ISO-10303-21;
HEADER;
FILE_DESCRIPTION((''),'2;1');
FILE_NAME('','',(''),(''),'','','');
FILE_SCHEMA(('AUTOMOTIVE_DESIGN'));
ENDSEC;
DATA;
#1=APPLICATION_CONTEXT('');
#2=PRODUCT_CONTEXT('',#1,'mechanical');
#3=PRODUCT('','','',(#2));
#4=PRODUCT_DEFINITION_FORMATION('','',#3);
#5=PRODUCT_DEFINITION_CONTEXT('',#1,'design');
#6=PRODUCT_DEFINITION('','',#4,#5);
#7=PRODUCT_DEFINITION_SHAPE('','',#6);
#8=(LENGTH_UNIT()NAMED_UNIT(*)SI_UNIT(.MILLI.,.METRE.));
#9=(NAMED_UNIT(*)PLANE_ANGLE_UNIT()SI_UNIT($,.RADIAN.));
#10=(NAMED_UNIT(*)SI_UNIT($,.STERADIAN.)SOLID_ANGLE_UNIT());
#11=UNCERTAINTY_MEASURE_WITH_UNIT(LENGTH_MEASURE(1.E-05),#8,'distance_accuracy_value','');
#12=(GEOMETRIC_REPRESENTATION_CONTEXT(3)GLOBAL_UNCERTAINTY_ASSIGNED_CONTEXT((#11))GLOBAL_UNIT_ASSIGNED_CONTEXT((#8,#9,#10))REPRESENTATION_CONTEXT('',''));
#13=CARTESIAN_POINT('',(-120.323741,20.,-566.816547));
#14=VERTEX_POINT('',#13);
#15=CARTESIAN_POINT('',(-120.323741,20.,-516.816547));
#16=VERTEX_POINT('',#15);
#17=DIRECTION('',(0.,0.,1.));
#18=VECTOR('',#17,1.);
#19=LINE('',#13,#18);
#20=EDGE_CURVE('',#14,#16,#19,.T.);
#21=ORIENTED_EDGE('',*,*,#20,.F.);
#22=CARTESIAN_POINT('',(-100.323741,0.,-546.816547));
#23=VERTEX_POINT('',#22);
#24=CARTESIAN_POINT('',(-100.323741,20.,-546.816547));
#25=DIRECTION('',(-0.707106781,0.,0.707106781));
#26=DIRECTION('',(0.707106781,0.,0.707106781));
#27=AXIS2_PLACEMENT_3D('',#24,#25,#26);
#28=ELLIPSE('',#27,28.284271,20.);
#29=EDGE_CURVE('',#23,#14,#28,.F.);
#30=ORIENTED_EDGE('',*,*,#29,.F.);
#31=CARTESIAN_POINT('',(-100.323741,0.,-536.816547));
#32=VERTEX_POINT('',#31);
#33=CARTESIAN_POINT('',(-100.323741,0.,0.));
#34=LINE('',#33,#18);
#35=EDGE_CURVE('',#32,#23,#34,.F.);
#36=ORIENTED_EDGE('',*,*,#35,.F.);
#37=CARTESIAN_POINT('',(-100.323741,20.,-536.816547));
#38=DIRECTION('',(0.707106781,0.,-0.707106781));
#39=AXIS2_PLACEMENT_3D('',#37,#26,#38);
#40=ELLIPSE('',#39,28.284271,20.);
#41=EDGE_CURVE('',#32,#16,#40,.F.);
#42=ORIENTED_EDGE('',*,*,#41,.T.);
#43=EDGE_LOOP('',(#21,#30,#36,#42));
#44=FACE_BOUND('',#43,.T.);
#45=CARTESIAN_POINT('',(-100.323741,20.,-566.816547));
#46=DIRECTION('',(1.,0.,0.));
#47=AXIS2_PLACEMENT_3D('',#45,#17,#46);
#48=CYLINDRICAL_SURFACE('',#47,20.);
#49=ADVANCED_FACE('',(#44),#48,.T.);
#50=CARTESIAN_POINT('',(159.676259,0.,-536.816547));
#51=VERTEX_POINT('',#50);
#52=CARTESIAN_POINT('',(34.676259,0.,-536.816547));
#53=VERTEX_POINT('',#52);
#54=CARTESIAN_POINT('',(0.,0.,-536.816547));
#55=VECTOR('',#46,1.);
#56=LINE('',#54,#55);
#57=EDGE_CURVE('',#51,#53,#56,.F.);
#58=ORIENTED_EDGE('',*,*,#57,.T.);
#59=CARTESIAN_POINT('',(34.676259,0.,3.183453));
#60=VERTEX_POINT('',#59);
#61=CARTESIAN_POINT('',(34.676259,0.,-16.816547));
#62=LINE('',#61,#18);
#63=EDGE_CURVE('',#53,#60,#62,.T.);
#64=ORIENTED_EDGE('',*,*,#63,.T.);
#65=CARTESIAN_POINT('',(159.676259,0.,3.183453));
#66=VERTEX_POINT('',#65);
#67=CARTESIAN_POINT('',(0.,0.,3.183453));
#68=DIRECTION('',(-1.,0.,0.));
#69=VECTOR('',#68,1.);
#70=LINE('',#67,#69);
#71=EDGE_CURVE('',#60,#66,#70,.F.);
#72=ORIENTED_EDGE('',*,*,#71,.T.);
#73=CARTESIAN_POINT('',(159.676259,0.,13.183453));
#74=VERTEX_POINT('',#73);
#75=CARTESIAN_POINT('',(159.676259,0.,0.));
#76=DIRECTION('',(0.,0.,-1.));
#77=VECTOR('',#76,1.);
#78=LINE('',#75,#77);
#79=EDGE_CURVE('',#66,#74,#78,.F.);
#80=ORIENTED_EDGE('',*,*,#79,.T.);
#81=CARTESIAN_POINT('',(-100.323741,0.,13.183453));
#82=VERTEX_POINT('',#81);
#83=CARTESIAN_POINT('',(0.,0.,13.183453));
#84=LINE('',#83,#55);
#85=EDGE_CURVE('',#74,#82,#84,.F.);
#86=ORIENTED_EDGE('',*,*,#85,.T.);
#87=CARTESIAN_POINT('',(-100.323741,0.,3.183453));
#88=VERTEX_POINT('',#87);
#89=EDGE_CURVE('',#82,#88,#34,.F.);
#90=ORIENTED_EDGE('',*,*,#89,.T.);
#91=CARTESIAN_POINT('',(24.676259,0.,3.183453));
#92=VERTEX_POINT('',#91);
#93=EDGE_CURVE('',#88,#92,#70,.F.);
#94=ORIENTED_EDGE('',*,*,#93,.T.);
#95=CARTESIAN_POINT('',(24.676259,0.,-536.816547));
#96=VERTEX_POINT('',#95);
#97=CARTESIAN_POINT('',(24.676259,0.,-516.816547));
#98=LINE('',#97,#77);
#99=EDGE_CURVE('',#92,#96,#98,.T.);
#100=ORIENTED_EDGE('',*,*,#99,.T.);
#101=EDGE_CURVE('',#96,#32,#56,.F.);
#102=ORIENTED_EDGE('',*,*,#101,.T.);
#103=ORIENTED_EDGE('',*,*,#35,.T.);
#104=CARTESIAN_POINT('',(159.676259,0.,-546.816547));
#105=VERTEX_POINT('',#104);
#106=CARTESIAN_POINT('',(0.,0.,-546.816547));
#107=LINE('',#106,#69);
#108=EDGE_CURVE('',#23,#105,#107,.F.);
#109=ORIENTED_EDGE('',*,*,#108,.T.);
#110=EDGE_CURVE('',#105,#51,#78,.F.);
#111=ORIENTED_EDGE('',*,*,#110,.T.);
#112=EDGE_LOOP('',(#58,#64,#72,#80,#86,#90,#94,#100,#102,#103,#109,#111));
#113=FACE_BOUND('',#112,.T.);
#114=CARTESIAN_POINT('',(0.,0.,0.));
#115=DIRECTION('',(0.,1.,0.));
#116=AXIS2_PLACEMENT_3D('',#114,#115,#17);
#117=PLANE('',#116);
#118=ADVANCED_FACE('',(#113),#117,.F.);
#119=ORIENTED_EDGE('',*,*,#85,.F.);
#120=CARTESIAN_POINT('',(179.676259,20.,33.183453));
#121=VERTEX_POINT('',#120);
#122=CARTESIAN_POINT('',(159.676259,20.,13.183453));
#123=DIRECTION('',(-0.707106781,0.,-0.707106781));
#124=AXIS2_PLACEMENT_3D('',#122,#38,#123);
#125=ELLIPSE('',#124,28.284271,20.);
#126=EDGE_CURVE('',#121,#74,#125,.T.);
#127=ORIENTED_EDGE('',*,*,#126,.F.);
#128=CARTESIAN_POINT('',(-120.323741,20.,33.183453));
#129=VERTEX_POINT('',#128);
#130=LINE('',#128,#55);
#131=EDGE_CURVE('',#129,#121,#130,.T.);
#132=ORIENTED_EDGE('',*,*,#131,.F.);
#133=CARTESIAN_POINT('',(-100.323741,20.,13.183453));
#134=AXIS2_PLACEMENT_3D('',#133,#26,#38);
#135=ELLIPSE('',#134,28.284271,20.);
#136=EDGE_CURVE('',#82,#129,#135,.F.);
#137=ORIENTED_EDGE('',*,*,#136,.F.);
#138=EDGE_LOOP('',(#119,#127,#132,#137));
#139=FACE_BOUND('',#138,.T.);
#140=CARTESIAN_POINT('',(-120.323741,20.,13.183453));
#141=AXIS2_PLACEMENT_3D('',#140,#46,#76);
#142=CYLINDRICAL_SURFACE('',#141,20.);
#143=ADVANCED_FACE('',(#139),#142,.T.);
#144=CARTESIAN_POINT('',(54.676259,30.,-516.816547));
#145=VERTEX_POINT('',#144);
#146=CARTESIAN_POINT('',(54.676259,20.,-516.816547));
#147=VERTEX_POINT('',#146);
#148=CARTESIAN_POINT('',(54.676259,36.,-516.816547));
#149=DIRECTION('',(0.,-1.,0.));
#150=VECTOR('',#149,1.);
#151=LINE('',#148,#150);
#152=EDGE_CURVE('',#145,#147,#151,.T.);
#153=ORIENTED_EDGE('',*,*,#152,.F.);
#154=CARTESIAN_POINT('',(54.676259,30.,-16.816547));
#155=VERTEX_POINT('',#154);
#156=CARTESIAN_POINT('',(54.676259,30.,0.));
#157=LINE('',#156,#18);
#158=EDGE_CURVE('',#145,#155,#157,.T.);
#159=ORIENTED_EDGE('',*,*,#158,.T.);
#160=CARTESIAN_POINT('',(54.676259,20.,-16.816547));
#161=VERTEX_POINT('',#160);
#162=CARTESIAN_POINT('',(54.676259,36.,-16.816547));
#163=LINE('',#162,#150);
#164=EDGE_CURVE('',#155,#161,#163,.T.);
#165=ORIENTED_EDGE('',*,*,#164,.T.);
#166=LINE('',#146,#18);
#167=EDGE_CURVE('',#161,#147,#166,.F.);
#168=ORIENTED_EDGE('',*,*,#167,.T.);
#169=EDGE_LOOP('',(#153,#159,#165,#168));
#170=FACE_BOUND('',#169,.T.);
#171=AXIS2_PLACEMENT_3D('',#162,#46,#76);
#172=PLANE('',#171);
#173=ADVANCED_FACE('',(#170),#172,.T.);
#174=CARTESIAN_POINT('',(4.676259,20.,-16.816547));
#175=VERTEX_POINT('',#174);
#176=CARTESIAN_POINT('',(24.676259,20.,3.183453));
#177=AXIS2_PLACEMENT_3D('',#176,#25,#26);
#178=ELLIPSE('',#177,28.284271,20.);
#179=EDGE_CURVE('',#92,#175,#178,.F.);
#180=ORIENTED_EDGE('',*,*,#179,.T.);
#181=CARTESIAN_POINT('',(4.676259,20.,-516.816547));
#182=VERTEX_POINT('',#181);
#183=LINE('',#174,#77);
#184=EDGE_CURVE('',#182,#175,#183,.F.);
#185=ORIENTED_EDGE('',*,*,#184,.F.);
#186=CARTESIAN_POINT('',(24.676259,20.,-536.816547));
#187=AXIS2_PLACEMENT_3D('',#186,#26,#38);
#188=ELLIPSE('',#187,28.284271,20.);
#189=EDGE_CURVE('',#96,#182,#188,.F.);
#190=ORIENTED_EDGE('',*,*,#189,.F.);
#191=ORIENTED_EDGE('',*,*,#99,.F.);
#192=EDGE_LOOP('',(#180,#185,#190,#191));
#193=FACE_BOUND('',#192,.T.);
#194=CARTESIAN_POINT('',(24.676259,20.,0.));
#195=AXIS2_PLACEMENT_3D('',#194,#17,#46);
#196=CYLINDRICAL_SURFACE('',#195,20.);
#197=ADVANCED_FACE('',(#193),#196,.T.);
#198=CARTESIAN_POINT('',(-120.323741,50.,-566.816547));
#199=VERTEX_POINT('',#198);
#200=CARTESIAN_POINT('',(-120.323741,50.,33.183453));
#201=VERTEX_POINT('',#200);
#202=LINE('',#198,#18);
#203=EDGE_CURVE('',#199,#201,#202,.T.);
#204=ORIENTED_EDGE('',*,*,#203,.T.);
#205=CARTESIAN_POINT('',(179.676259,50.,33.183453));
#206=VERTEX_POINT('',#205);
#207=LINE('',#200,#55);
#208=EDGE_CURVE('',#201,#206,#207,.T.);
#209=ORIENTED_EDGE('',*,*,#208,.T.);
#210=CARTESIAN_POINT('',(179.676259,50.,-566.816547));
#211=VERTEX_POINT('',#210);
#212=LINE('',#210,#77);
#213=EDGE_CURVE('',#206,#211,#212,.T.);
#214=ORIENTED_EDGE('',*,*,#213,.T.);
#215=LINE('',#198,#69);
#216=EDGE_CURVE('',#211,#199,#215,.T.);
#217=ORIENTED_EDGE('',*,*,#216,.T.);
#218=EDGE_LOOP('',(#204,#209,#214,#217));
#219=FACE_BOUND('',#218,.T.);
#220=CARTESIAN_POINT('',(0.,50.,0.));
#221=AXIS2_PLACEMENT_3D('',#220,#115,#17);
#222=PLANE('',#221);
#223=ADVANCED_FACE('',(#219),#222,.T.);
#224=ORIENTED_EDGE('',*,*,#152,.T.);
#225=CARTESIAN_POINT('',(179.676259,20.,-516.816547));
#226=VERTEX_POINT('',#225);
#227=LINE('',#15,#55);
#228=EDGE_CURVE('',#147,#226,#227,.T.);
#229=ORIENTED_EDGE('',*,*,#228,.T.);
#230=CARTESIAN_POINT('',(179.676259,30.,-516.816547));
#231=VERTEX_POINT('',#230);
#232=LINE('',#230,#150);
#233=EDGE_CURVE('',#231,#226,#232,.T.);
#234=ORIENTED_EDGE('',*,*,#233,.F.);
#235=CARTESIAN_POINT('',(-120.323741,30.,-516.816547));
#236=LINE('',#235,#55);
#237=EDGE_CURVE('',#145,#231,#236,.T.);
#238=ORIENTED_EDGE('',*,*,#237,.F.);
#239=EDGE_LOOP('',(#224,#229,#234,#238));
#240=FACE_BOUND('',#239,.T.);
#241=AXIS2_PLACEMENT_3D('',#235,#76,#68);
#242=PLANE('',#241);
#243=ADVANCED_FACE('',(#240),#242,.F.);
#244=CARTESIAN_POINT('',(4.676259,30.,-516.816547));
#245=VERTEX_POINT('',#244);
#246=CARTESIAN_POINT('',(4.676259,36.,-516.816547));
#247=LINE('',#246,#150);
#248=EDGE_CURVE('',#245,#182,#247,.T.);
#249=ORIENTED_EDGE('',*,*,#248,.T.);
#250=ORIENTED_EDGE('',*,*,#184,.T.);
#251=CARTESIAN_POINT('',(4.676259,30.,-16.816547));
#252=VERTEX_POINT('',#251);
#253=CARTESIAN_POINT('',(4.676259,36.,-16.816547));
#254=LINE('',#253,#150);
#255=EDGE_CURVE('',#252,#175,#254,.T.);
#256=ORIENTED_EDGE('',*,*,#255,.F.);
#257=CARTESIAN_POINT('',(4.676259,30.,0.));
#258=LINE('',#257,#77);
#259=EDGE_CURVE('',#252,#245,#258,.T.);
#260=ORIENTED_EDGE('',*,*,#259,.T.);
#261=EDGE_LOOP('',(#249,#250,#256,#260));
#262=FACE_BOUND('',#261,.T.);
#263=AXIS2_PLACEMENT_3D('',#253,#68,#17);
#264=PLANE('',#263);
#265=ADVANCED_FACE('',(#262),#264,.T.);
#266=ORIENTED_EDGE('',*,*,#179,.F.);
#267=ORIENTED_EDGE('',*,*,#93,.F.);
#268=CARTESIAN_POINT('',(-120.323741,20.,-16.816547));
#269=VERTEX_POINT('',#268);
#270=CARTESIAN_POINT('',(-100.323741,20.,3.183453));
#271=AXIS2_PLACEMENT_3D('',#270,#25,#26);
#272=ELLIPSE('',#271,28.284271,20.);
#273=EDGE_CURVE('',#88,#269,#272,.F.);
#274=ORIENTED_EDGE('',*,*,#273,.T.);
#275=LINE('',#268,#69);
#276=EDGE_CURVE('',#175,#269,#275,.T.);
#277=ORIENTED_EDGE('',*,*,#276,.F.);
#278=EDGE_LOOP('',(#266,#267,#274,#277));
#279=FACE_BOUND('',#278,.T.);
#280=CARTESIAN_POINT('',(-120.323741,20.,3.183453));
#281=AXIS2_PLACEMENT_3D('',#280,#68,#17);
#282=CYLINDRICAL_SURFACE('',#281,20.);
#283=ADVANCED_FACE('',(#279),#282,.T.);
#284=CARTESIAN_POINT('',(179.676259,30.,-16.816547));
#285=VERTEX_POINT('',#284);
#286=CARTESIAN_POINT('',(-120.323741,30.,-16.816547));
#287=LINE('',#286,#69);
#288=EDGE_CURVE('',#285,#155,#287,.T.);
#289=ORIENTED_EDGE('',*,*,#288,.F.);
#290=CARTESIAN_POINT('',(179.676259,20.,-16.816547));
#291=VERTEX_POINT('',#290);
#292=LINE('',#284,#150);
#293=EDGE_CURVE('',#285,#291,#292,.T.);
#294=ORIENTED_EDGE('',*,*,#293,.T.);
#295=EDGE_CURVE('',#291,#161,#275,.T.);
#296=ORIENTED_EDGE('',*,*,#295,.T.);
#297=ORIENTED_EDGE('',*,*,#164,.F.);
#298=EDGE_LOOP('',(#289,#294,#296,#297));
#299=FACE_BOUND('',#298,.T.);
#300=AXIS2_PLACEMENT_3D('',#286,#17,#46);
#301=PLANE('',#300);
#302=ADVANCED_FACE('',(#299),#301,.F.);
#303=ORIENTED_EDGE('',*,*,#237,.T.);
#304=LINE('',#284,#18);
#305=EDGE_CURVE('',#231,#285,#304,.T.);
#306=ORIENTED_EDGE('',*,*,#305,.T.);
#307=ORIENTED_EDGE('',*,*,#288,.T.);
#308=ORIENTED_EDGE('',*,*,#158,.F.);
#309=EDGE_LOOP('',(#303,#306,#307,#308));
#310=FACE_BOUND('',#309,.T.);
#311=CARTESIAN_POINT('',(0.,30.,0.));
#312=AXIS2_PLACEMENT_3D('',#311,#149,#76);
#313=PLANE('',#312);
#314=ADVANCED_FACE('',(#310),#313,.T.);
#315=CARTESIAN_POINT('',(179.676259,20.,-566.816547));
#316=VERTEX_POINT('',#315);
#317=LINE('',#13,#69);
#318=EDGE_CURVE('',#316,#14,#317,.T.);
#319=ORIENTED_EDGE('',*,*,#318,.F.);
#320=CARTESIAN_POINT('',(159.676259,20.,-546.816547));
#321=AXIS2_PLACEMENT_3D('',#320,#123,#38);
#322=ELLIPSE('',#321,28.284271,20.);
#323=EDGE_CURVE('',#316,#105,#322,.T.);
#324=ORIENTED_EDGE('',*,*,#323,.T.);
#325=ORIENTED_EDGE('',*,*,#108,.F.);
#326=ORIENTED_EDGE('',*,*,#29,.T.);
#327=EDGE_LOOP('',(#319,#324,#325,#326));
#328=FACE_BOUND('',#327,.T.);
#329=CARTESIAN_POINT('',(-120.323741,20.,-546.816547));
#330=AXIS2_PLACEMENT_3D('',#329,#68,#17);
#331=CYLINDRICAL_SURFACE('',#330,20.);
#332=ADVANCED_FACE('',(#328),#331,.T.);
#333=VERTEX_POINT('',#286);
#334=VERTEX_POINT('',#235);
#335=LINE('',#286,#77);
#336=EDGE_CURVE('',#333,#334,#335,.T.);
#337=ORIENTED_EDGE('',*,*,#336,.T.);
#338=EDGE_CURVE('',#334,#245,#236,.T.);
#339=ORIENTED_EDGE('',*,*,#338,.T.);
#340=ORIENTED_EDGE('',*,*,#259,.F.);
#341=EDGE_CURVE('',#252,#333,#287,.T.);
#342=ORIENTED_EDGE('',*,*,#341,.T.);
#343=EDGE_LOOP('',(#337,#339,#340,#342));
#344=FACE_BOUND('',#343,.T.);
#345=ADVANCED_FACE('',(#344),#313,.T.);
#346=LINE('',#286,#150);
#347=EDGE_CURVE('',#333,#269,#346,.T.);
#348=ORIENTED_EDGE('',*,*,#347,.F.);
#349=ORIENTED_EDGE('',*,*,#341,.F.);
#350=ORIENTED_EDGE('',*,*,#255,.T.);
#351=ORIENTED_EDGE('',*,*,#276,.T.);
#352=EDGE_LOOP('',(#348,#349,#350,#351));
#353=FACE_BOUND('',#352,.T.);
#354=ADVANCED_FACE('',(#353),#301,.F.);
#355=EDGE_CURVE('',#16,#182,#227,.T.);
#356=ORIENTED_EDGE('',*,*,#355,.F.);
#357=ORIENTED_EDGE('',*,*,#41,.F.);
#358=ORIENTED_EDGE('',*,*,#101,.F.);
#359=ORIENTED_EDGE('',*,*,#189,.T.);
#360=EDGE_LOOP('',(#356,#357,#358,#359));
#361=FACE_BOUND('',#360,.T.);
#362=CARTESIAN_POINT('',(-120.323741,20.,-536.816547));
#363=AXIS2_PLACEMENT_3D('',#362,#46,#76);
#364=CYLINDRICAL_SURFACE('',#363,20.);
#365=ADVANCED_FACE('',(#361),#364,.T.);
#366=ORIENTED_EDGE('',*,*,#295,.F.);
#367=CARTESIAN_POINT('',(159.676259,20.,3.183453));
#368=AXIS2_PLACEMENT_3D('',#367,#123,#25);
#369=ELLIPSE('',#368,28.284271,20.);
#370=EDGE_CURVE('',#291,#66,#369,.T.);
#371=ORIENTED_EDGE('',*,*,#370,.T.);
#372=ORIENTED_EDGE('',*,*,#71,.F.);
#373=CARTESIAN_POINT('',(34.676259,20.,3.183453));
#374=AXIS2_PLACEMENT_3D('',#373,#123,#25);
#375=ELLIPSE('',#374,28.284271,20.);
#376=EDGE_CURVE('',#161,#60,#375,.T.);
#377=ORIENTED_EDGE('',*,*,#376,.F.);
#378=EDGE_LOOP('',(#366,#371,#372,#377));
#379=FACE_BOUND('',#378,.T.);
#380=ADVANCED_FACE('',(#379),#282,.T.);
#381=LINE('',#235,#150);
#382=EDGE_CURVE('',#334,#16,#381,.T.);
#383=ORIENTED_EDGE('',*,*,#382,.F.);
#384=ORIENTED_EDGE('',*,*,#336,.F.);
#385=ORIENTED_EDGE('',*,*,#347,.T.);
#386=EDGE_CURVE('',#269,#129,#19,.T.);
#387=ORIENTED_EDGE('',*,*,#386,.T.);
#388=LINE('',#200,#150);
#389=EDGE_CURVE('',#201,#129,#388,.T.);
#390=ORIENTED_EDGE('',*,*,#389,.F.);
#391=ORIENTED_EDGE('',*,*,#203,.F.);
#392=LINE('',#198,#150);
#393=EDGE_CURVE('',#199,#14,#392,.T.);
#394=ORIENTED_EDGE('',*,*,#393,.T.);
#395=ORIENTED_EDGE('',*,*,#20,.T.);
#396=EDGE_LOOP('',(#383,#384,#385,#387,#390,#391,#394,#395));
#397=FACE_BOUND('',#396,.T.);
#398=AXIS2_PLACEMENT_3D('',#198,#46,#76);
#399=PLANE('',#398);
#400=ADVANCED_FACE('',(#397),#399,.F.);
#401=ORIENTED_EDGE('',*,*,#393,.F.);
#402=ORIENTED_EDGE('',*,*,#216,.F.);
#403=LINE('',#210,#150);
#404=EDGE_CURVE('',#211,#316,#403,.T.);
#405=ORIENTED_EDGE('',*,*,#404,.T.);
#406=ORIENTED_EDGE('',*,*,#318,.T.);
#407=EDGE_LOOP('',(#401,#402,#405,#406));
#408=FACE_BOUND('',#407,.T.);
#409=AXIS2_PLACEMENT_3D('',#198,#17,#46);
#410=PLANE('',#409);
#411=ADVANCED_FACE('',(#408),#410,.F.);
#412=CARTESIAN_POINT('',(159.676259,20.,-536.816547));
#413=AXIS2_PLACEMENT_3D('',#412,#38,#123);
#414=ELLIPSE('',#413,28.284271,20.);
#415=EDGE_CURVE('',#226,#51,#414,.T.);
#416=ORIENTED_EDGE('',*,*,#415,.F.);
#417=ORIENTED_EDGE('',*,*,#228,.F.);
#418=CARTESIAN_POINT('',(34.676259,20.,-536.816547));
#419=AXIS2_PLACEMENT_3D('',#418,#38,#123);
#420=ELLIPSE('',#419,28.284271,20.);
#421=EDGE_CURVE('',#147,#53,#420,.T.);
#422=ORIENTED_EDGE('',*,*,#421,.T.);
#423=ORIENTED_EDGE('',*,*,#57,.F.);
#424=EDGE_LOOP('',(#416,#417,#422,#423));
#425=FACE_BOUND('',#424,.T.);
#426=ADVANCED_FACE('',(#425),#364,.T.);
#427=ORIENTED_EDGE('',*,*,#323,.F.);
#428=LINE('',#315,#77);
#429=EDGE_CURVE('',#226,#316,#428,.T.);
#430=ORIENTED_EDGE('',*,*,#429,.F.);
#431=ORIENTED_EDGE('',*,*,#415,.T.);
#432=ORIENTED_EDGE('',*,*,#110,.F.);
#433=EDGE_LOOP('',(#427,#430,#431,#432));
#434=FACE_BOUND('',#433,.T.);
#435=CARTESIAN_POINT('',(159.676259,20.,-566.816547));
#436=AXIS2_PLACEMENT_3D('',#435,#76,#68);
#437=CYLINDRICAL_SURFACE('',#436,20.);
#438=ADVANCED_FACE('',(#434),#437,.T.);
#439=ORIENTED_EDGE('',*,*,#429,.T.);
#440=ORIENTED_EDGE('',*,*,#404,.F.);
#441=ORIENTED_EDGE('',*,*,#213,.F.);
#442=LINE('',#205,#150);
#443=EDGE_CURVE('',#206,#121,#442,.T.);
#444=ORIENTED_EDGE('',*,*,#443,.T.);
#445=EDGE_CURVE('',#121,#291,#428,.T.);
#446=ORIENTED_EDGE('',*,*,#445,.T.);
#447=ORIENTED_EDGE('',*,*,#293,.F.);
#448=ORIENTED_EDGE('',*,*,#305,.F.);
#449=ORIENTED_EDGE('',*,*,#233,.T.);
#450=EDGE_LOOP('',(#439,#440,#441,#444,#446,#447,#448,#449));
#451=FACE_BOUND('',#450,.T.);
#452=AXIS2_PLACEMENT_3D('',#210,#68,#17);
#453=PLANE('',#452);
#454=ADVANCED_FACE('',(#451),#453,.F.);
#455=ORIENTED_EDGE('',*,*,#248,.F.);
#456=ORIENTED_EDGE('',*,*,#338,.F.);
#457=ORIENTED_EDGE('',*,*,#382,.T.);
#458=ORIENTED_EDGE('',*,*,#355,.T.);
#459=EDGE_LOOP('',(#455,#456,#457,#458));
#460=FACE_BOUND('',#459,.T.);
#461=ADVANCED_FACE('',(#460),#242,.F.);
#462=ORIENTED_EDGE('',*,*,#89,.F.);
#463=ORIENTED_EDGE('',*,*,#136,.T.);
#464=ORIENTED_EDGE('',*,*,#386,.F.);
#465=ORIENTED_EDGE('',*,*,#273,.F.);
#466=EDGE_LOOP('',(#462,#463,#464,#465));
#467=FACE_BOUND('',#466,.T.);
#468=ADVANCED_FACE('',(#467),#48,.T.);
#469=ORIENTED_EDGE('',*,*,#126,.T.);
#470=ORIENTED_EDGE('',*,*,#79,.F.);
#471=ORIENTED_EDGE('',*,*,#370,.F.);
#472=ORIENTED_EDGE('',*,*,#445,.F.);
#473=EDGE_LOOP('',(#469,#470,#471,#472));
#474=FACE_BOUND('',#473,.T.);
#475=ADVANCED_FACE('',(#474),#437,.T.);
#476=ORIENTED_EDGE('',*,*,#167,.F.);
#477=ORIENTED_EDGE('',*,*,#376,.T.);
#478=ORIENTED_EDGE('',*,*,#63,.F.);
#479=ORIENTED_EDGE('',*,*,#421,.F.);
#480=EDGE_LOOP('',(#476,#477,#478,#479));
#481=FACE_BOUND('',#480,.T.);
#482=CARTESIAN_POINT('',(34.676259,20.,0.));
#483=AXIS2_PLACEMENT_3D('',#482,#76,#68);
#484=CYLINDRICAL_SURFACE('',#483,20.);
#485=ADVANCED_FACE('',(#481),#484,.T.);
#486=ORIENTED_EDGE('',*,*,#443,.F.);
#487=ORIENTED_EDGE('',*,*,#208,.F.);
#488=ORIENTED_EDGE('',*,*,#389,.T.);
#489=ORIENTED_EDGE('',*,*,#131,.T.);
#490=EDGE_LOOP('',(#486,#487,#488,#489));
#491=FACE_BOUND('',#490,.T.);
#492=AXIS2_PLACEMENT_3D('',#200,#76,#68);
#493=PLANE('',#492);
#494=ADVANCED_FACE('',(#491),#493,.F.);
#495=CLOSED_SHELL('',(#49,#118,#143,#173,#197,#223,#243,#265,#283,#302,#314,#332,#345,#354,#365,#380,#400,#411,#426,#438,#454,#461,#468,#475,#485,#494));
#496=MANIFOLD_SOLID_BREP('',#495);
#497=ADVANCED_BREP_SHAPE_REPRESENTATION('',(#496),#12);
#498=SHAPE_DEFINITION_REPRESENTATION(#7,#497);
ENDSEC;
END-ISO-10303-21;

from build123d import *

# Parameters (mm, degrees)
SKETCH1_W           = 300
SKETCH1_H           = 600
BOSS_EXTRUDE1_DEPTH = 50
SKETCH2_W           = 300
SKETCH2_H           = 500
CUT_EXTRUDE1_DEPTH  = 30
SKETCH3_W           = 50
SKETCH3_H           = 500
BOSS_EXTRUDE2_DEPTH = 36
FILLET1_R           = 20


with BuildPart() as part:
    # Sketch1 → Boss-Extrude1 (new body)
    with BuildSketch(Plane(origin=(0, 0, 0), x_dir=(1, 0, 0), z_dir=(0, 1, 0))):
        with Locations((29.676258993, 266.816546763)):
            Rectangle(SKETCH1_W, SKETCH1_H)
    extrude(amount=BOSS_EXTRUDE1_DEPTH)

    # Sketch2 → Cut-Extrude1 (cut)
    with BuildSketch(Plane(origin=(0, 0, 0), x_dir=(-1, 0, 0), z_dir=(0, -1, 0))):
        with Locations((-29.676258993, 266.816546763)):
            Rectangle(SKETCH2_W, SKETCH2_H)
    extrude(amount=-CUT_EXTRUDE1_DEPTH, mode=Mode.SUBTRACT)

    # Sketch3 → Boss-Extrude2 (add)
    with BuildSketch(Plane(origin=(0, 0, 0), x_dir=(-1, 0, 0), z_dir=(0, -1, 0))):
        with Locations((-29.676258993, 266.816546763)):
            Rectangle(SKETCH3_W, SKETCH3_H)
    extrude(amount=-BOSS_EXTRUDE2_DEPTH)

    # Fillet1
    fillet1_edges = [part.edges().sort_by_distance(p)[0] for p in [
        (-120.323741007, 0, 8.183453237),
        (179.676258993, 0, -541.816546763),
        (-57.823741007, 0, -516.816546763),
        (117.176258993, 0, -16.816546763),
        (117.176258993, 0, -516.816546763),
        (-57.823741007, 0, -16.816546763),
        (4.676258993, 0, -266.816546763),
        (54.676258993, 0, -266.816546763),
        (29.676258993, 0, -566.816546763),
        (179.676258993, 0, 8.183453237),
        (29.676258993, 0, 33.183453237),
        (-120.323741007, 0, -541.816546763),
    ]]
    fillet(fillet1_edges, radius=FILLET1_R)


solid = part.part
